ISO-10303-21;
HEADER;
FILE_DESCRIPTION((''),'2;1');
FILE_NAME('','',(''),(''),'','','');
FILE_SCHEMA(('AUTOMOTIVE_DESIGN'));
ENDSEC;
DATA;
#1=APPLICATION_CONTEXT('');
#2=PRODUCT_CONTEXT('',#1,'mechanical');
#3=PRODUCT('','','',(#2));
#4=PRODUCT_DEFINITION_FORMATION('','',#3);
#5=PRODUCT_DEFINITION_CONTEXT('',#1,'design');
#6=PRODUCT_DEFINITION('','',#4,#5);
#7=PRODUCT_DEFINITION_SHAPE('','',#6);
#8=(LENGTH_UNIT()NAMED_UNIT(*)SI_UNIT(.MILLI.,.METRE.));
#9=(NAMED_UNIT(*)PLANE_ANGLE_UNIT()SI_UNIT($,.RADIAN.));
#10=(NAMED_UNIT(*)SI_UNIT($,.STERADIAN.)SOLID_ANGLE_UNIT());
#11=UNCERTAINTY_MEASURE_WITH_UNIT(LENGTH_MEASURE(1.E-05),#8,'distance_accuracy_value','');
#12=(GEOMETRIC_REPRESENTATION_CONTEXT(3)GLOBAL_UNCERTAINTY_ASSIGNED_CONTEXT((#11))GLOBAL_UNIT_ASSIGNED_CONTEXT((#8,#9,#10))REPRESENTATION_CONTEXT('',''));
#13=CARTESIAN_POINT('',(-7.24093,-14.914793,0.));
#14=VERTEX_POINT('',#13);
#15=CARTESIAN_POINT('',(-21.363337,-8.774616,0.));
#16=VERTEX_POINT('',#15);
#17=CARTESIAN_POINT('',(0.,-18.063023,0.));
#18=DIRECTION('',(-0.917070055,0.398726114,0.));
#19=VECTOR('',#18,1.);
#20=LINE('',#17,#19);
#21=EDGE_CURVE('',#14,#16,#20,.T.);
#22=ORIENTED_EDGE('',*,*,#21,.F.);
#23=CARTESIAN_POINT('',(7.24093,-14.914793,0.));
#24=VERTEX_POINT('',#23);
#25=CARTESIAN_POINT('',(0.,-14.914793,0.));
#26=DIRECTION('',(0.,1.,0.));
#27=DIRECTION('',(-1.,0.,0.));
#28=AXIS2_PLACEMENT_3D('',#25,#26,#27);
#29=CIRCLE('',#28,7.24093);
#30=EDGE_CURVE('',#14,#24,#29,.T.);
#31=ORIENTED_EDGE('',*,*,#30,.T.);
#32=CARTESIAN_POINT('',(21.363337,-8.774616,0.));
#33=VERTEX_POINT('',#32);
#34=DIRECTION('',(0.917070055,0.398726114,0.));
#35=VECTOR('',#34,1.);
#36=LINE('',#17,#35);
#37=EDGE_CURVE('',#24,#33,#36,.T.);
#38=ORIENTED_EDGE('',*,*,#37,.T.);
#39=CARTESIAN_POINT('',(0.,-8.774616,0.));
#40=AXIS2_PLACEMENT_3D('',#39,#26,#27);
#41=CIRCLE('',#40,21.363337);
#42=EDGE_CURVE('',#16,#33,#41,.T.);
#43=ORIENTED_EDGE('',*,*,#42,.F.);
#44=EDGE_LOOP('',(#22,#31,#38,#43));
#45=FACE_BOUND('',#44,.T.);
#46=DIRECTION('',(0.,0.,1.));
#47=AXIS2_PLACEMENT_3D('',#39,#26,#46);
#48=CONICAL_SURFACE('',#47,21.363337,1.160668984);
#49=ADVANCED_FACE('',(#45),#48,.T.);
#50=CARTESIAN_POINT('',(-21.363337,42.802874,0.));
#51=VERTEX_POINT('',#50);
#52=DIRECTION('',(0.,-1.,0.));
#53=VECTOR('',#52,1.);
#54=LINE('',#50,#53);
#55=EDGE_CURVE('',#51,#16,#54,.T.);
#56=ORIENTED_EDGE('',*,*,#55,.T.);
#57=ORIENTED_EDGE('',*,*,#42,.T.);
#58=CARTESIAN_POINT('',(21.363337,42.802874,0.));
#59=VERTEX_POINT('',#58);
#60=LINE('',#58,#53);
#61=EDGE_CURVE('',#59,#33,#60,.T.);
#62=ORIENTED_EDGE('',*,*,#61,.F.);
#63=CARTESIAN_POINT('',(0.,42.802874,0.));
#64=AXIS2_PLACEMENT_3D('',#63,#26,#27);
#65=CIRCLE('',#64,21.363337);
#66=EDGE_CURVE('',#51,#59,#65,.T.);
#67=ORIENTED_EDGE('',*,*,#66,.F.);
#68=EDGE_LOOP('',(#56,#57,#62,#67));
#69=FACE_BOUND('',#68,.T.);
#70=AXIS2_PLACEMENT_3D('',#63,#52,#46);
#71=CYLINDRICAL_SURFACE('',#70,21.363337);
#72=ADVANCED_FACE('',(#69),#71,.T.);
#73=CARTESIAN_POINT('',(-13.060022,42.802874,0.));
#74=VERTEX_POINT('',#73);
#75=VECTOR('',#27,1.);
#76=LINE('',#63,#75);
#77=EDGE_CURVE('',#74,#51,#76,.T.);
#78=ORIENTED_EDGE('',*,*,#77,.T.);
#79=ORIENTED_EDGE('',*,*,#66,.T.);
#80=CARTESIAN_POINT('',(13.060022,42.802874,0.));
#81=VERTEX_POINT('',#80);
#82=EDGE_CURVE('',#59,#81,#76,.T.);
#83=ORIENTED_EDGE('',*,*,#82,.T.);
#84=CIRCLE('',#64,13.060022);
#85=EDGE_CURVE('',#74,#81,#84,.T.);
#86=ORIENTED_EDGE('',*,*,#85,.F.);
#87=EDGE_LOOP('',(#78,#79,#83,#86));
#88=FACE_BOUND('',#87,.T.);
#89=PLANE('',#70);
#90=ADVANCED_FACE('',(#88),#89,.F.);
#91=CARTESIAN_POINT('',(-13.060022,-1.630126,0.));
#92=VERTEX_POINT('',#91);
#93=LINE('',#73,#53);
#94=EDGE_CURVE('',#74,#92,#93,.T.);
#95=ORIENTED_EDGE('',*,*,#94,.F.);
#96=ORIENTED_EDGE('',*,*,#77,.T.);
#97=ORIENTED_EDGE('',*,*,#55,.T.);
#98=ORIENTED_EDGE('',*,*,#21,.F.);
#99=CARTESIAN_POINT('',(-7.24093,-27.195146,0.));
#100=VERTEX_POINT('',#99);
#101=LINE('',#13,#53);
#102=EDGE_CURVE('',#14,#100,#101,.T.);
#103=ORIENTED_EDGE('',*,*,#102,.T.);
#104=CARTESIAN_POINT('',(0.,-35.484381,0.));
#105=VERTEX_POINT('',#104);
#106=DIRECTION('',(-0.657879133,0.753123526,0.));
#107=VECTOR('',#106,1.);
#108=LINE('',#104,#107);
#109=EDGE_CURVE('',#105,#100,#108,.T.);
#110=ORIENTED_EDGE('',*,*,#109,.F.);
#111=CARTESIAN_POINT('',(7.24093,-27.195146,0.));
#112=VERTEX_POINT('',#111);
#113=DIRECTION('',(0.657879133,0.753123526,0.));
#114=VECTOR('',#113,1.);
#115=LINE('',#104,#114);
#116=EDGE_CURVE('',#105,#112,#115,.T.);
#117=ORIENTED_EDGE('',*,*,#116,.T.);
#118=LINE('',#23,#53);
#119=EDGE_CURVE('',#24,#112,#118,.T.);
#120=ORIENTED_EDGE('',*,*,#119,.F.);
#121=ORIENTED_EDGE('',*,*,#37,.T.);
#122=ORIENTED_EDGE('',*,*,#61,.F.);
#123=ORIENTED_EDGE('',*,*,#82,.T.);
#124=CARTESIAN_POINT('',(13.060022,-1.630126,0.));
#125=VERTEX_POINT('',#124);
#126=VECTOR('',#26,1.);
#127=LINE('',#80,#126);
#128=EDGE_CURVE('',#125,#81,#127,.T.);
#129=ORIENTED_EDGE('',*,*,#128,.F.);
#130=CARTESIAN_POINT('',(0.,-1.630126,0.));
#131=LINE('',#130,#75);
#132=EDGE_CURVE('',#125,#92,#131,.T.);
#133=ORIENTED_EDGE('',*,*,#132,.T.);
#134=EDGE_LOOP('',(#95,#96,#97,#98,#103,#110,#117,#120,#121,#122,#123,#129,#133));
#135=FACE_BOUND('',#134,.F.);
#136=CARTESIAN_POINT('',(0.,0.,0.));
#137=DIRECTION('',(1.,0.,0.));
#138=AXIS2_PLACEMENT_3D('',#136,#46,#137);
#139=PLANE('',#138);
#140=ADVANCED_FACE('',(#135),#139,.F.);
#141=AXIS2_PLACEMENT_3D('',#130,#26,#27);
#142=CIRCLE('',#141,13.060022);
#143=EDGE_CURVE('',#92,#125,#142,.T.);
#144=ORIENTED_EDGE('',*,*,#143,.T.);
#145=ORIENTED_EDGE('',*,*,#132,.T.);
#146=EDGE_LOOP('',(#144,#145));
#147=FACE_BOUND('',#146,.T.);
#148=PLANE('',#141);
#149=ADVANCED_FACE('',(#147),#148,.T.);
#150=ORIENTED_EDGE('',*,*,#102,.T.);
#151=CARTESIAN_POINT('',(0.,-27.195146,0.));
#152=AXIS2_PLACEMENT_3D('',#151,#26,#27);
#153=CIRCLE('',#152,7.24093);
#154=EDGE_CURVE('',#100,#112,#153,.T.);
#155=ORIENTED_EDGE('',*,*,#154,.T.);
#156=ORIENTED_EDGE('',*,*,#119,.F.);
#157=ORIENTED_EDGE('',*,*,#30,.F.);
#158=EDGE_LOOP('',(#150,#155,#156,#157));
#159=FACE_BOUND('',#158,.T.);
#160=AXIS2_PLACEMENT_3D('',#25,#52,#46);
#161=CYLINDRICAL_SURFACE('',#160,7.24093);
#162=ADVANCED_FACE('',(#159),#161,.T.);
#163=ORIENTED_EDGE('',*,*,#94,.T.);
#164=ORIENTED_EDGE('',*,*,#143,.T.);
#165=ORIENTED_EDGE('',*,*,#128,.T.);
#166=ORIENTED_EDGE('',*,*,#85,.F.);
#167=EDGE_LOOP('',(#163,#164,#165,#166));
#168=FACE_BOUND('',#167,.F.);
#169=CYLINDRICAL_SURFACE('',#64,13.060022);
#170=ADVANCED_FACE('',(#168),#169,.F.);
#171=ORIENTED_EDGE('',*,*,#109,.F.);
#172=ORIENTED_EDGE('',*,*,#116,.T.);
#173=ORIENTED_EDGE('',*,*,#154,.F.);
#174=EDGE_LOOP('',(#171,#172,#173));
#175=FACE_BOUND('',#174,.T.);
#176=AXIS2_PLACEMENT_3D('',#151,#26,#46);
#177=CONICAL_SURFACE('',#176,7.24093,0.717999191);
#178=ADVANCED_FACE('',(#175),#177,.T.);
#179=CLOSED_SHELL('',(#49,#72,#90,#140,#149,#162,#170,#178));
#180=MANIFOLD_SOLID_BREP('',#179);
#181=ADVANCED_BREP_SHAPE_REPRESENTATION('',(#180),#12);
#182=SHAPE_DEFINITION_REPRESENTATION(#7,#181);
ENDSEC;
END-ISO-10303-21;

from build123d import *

# Parameters (mm, degrees)
F0_W     = 254
F0_H     = 254
F1_DEPTH = 82.87358
F4_R     = 13.060022
F5_DEPTH = 44.433


with BuildPart() as f1:
    # F0 (on Top) → F1 (new body)
    with BuildSketch(Plane.XY):
        Rectangle(F0_W, F0_H)
    extrude(amount=F1_DEPTH)


with BuildPart() as f3:
    # F2 (on Right) → F3 (revolve)
    with BuildSketch(Plane.YZ):
        Polygon((-27.195146, 7.24093), (-35.484381, 0), (42.802874, 0), (42.802874, 21.363337), (-8.774616, 21.363337), (-14.914793, 7.24093), align=None)
    revolve(axis=Axis((0, 3.659246, 0), (0, -1, 0)))


with BuildPart() as f5_tool:
    # F4 (on face) → F5 (new body)
    with BuildSketch(Plane(origin=(0, 42.802874, 0), x_dir=(-1, 0, 0), z_dir=(0, 1, 0))):
        Circle(F4_R)
    extrude(amount=-F5_DEPTH)


with BuildPart() as f1_1:
    add(f1.part)

    # F5: cut by f5_tool
    add(f5_tool.part, mode=Mode.SUBTRACT)


with BuildPart() as f3_1:
    add(f3.part)

    # F5: cut by f5_tool
    add(f5_tool.part, mode=Mode.SUBTRACT)


with BuildPart() as f1_2:
    add(f1_1.part)

    # F6: intersect F3
    add(f3_1.part, mode=Mode.INTERSECT)


solid = f1_2.part
